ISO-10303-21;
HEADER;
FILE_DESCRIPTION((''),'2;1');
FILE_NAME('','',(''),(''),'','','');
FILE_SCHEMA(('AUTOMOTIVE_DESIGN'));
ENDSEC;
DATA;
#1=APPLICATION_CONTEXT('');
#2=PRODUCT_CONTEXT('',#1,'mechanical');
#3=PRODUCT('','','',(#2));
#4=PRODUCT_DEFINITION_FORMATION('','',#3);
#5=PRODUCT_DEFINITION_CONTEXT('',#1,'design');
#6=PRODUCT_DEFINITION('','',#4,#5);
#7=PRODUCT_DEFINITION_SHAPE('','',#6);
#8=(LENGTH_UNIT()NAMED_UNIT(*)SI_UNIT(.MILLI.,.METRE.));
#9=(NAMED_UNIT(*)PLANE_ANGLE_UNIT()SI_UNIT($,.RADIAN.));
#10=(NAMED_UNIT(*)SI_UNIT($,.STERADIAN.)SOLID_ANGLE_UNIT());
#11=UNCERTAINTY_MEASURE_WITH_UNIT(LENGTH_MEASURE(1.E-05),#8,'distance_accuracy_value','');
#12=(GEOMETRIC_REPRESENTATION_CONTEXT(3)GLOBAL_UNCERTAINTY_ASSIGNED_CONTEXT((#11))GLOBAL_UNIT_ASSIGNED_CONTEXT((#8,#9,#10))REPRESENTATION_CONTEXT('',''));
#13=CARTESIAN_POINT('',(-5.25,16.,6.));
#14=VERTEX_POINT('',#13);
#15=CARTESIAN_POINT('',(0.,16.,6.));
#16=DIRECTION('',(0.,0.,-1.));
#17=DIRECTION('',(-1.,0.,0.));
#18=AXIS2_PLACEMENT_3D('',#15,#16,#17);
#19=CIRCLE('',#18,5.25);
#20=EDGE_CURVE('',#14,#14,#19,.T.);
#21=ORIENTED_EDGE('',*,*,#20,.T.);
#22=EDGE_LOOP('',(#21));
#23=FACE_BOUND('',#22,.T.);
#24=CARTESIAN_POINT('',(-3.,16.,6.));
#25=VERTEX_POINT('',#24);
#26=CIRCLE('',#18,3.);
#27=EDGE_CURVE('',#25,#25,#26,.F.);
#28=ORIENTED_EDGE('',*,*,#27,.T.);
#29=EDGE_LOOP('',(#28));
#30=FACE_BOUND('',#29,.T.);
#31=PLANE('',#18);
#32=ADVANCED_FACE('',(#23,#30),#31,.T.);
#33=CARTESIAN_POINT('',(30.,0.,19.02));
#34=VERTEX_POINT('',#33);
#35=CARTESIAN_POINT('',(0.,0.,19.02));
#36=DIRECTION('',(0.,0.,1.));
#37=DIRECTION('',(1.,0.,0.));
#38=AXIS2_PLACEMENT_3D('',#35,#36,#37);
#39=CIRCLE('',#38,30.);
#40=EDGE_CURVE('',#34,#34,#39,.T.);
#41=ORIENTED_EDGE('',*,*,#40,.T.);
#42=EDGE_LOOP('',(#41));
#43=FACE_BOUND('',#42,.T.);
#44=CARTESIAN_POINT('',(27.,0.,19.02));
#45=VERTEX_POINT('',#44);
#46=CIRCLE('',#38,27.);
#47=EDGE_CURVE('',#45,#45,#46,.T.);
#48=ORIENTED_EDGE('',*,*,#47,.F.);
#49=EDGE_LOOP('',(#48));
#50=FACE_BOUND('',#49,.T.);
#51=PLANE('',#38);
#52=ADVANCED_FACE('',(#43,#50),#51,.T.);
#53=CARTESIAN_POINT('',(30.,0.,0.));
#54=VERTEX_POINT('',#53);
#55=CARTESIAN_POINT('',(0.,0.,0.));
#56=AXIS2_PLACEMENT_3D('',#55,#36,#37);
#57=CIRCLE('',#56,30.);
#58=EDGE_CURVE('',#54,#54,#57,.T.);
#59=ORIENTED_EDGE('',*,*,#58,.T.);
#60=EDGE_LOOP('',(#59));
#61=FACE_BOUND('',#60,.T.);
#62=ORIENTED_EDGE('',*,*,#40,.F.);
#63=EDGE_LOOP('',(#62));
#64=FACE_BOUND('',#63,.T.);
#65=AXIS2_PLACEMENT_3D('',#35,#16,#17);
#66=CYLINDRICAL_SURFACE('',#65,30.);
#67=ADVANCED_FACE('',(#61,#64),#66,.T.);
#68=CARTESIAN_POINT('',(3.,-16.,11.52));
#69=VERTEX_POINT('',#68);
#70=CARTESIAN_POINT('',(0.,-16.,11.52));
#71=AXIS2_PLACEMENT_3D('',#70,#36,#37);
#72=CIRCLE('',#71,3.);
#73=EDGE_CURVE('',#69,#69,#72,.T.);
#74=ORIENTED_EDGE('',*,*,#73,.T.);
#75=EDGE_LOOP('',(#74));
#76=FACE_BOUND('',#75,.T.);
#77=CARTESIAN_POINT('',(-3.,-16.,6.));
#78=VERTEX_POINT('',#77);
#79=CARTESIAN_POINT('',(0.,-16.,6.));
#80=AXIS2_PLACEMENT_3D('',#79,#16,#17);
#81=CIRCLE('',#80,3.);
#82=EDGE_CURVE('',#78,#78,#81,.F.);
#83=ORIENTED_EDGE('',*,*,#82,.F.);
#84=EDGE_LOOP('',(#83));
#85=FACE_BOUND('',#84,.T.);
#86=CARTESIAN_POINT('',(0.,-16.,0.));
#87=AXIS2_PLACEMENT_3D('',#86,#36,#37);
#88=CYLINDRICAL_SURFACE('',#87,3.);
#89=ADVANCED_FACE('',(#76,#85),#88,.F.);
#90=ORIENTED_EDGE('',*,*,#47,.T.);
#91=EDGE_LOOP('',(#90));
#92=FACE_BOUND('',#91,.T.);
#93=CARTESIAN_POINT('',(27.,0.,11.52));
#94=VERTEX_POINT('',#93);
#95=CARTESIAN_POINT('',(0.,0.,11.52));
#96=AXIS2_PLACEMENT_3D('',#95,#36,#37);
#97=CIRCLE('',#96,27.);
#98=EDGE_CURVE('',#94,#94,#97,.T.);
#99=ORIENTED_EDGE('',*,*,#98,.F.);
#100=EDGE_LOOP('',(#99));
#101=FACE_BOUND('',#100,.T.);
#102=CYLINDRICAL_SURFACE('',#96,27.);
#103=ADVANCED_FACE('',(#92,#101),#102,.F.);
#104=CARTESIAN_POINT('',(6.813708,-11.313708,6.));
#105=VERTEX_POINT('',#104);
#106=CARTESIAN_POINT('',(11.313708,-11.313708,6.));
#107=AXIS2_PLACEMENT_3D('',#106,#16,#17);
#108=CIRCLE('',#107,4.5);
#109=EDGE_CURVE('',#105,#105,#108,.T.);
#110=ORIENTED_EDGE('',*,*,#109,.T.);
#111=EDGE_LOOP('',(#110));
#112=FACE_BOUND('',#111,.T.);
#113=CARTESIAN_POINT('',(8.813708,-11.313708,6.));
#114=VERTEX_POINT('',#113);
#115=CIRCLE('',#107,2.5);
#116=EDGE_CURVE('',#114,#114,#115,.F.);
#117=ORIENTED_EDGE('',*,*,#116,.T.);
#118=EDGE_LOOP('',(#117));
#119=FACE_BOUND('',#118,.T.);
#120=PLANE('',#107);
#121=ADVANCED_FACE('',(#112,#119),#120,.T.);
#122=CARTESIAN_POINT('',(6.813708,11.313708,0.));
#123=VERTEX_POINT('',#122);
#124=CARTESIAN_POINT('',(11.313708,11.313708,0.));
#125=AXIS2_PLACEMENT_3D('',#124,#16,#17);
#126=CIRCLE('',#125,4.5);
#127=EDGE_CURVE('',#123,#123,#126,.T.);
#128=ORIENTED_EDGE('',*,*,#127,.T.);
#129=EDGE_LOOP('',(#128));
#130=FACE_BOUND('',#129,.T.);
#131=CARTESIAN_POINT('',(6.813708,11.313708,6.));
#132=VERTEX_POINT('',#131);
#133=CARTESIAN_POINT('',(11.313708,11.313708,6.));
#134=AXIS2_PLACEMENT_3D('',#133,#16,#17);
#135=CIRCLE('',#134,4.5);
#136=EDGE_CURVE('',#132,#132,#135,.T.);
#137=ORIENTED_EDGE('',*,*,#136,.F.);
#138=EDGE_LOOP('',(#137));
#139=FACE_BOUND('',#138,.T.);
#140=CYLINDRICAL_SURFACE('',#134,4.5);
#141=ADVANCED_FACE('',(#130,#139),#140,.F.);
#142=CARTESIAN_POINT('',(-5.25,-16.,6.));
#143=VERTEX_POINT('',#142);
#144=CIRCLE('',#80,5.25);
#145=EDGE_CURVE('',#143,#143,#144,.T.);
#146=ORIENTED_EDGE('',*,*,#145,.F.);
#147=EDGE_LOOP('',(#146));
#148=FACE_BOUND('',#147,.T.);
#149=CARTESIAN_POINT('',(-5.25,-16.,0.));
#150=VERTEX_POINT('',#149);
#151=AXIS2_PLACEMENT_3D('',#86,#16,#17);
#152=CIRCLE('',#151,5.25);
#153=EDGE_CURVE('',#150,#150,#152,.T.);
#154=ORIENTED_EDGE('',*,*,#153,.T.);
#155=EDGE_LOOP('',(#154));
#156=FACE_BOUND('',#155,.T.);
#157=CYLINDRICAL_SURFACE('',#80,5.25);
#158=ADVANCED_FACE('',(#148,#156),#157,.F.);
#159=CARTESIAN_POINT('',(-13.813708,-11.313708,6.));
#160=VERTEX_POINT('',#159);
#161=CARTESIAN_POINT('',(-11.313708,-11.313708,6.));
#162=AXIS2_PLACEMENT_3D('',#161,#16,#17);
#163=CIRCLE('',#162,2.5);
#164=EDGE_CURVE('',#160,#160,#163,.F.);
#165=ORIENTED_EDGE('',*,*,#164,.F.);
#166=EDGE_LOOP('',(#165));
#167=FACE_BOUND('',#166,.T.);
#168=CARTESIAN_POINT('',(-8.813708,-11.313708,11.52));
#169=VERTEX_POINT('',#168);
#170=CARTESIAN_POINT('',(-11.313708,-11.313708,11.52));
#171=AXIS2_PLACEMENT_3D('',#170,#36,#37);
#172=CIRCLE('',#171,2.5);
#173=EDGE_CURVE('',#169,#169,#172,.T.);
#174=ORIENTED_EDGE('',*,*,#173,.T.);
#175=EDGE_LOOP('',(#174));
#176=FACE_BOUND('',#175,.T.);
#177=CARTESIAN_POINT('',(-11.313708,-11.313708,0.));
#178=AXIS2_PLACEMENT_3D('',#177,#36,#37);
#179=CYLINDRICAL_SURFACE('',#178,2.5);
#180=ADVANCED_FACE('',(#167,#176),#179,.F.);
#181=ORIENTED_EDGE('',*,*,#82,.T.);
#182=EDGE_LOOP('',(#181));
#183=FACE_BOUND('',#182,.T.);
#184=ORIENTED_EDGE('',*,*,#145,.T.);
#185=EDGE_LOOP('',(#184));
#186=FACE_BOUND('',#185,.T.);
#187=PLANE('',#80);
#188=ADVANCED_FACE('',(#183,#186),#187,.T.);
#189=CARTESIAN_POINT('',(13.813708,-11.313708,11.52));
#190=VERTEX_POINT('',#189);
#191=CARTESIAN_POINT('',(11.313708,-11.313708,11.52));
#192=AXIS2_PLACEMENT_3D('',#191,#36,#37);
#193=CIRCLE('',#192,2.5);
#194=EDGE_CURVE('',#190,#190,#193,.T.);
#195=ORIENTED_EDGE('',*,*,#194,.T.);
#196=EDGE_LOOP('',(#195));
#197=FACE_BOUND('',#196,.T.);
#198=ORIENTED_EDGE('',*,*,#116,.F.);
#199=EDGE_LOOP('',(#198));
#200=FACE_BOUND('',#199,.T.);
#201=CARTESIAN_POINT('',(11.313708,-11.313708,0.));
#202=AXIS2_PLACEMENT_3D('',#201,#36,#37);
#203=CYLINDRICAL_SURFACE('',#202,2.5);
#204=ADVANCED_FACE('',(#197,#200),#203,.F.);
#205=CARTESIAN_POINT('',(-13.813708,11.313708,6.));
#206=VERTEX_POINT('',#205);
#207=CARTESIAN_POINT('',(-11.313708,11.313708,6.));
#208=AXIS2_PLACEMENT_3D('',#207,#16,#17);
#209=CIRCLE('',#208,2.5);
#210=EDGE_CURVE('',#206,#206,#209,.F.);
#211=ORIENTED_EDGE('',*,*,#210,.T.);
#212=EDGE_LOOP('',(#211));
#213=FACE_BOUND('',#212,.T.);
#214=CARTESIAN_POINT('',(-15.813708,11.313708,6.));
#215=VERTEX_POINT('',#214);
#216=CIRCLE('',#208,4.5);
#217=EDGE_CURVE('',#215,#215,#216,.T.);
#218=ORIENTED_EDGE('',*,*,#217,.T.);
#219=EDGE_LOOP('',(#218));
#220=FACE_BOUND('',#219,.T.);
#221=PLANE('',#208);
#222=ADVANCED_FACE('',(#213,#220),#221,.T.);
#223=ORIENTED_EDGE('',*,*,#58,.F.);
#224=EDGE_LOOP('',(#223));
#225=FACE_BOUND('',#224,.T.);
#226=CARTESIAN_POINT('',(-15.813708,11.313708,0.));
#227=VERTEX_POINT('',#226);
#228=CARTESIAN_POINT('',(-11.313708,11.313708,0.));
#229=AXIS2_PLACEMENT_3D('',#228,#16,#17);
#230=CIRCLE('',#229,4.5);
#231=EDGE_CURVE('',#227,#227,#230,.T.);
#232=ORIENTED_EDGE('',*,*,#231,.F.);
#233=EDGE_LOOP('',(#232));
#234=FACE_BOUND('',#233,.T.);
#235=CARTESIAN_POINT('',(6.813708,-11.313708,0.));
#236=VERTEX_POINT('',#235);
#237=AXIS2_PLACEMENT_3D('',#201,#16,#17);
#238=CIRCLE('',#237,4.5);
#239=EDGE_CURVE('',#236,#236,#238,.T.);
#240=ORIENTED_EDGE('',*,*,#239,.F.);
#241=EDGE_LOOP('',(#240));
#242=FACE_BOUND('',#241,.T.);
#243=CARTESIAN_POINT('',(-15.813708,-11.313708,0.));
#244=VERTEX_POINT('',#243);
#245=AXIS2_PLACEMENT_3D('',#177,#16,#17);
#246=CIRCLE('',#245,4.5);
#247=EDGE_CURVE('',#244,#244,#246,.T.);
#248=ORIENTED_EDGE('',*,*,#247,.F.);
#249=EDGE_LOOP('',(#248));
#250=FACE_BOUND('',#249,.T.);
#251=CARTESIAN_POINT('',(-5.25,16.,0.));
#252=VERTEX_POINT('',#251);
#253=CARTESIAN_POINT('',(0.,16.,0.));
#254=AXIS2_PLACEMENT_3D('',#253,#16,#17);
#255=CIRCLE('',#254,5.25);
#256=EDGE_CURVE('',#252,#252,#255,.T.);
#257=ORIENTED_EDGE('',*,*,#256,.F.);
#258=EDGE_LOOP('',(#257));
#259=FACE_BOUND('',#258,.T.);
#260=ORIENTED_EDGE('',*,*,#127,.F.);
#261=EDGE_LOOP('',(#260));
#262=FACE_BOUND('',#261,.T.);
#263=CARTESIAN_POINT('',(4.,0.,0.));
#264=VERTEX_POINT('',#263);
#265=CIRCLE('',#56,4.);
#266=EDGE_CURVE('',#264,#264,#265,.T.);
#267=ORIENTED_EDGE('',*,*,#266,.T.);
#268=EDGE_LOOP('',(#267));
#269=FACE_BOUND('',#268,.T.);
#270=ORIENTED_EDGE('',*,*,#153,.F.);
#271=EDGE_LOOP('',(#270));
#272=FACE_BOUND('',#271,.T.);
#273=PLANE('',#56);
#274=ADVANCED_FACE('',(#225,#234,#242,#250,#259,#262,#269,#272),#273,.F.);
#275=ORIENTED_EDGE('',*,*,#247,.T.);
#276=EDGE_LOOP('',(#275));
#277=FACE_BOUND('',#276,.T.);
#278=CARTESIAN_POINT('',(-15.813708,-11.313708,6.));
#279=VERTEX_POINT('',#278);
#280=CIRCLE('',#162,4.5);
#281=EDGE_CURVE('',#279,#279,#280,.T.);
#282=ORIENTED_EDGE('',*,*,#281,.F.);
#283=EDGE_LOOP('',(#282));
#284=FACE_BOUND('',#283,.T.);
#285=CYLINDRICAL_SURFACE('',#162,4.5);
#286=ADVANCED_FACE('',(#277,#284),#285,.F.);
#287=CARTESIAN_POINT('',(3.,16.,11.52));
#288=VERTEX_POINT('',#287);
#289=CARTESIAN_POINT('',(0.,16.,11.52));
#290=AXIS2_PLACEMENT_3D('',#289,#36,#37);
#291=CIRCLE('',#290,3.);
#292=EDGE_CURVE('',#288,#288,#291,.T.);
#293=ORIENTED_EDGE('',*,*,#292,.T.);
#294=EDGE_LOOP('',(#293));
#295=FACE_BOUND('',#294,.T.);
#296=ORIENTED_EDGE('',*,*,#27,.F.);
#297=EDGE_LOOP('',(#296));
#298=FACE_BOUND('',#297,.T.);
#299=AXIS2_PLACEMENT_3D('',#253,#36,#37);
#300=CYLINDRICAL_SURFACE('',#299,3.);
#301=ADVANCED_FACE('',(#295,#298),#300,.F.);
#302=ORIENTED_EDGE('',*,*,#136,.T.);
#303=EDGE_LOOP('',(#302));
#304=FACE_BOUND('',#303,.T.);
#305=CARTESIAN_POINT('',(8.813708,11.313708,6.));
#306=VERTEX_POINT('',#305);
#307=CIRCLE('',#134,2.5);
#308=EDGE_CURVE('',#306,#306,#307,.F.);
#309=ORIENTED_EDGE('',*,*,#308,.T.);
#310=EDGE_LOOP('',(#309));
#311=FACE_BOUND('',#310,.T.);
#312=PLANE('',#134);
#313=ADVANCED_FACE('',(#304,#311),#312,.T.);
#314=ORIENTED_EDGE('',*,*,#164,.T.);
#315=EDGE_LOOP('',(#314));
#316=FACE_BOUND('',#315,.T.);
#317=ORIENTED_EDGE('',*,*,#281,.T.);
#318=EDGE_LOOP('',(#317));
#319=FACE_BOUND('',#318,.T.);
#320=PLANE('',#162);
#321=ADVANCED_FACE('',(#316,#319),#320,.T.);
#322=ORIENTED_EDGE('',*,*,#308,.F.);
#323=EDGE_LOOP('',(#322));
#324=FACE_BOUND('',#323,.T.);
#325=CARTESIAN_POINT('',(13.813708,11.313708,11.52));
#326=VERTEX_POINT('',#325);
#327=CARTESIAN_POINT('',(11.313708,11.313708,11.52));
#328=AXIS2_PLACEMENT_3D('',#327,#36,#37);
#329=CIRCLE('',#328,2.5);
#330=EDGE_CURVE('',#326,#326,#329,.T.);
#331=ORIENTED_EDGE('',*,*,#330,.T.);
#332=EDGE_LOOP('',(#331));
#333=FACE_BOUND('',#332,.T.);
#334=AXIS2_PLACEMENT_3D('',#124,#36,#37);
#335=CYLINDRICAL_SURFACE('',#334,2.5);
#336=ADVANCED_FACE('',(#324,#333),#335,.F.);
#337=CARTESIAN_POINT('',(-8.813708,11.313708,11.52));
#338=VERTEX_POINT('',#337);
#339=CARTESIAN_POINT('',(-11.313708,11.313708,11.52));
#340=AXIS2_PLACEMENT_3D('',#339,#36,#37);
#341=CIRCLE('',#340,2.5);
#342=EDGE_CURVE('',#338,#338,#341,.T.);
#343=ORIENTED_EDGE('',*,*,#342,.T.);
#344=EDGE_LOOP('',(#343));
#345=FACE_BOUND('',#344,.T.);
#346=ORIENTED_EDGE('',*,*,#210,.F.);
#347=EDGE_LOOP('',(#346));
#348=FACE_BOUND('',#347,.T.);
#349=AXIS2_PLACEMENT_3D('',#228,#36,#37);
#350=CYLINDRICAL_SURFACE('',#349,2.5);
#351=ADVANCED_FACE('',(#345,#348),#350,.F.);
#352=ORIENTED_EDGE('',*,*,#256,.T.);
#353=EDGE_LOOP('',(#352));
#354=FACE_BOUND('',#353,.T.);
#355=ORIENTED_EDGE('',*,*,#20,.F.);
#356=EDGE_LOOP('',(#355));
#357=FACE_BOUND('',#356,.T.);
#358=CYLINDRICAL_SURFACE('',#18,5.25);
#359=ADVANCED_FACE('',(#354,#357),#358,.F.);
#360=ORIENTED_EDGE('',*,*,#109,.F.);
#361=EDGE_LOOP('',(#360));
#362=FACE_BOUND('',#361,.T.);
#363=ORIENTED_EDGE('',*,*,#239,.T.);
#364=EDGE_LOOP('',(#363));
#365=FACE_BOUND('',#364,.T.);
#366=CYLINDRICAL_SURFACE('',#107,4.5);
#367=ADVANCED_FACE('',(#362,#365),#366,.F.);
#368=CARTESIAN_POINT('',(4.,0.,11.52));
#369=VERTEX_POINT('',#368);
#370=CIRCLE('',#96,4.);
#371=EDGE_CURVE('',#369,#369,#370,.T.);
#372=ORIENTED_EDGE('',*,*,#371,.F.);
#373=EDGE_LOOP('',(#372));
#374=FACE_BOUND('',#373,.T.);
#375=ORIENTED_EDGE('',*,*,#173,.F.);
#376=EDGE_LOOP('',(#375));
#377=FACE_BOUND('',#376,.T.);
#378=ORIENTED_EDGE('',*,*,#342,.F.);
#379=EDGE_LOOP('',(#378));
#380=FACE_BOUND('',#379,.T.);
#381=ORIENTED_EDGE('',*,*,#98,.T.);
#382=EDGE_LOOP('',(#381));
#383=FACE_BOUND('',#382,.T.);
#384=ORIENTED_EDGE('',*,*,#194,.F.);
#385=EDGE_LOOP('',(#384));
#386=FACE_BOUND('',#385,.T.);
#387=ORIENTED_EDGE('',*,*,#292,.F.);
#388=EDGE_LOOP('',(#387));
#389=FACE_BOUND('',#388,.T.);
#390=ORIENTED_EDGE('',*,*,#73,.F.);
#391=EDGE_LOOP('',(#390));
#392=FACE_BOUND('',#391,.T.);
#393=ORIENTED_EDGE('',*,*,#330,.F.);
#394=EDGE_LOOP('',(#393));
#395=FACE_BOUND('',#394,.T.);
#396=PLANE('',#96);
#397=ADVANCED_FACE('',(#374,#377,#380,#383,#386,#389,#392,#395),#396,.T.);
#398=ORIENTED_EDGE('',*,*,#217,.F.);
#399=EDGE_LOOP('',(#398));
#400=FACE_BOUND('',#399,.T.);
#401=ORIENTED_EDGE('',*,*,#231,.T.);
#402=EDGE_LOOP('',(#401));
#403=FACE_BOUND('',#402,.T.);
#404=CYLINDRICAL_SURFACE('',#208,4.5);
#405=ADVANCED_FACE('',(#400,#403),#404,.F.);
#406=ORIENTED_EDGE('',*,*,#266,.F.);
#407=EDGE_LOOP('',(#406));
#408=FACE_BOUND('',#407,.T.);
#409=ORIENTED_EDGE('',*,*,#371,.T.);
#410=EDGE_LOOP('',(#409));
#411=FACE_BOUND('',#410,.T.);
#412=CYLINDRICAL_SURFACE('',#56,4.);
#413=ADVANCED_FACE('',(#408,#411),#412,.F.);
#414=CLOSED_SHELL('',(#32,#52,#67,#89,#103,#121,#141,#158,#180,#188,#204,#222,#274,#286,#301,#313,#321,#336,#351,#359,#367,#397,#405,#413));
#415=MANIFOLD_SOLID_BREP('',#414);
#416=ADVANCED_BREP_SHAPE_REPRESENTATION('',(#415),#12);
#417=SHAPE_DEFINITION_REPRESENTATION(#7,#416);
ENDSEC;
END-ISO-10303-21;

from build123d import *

# Parameters (mm, degrees)
ESBO_O1_R                = 30
RESSALTO_EXTRUS_O1_DEPTH = 19.02
ESBO_O2_R                = 26
CORTE_EXTRUS_O1_DEPTH    = 7
ESBO_O7_R                = 27
CORTE_EXTRUS_O4_DEPTH    = 7.5
ESBO_O13_R               = 3
ESBO_O13_R_2             = 2.5
CORTE_EXTRUS_O10_DEPTH   = 12.52
ESBO_O14_R               = 4
CORTE_EXTRUS_O11_DEPTH   = 12.52
ESBO_O16_R               = 5.25
ESBO_O16_R_2             = 4.5
CORTE_EXTRUS_O12_DEPTH   = 6


with BuildPart() as part:
    # Esboço1 → Ressalto-extrusão1 (new body)
    with BuildSketch(Plane.XY):
        Circle(ESBO_O1_R)
    extrude(amount=RESSALTO_EXTRUS_O1_DEPTH)

    # Esboço2 → Corte-extrusão1 (cut)
    with BuildSketch(Plane.XY.offset(19.02)):
        Circle(ESBO_O2_R)
    extrude(amount=-CORTE_EXTRUS_O1_DEPTH, mode=Mode.SUBTRACT)

    # Esboço7 → Corte-extrusão4 (cut)
    with BuildSketch(Plane.XY.offset(19.02)):
        Circle(ESBO_O7_R)
    extrude(amount=-CORTE_EXTRUS_O4_DEPTH, mode=Mode.SUBTRACT)

    # Esboço13 → Corte-extrusão10 (cut, through all)
    with BuildSketch(Plane.XY.offset(11.52)):
        with Locations((0, 16)):
            Circle(ESBO_O13_R)
        with Locations((0, -16)):
            Circle(ESBO_O13_R)
        with Locations((-11.313708499, 11.313708499)):
            Circle(ESBO_O13_R_2)
        with Locations((11.313708499, 11.313708499)):
            Circle(ESBO_O13_R_2)
        with Locations((-11.313708499, -11.313708499)):
            Circle(ESBO_O13_R_2)
        with Locations((11.313708499, -11.313708499)):
            Circle(ESBO_O13_R_2)
    extrude(amount=-CORTE_EXTRUS_O10_DEPTH, mode=Mode.SUBTRACT)

    # Esboço14 → Corte-extrusão11 (cut, through all)
    with BuildSketch(Plane.XY.offset(11.52)):
        Circle(ESBO_O14_R)
    extrude(amount=-CORTE_EXTRUS_O11_DEPTH, mode=Mode.SUBTRACT)

    # Esboço16 → Corte-extrusão12 (cut)
    with BuildSketch(Plane(origin=(0, 0, 0), x_dir=(-1, 0, 0), z_dir=(0, 0, -1))):
        with Locations((0, 16)):
            Circle(ESBO_O16_R)
        with Locations((0, -16)):
            Circle(ESBO_O16_R)
        with Locations((11.313708499, 11.313708499)):
            Circle(ESBO_O16_R_2)
        with Locations((-11.313708499, 11.313708499)):
            Circle(ESBO_O16_R_2)
        with Locations((-11.313708499, -11.313708499)):
            Circle(ESBO_O16_R_2)
        with Locations((11.313708499, -11.313708499)):
            Circle(ESBO_O16_R_2)
    extrude(amount=-CORTE_EXTRUS_O12_DEPTH, mode=Mode.SUBTRACT)


solid = part.part
